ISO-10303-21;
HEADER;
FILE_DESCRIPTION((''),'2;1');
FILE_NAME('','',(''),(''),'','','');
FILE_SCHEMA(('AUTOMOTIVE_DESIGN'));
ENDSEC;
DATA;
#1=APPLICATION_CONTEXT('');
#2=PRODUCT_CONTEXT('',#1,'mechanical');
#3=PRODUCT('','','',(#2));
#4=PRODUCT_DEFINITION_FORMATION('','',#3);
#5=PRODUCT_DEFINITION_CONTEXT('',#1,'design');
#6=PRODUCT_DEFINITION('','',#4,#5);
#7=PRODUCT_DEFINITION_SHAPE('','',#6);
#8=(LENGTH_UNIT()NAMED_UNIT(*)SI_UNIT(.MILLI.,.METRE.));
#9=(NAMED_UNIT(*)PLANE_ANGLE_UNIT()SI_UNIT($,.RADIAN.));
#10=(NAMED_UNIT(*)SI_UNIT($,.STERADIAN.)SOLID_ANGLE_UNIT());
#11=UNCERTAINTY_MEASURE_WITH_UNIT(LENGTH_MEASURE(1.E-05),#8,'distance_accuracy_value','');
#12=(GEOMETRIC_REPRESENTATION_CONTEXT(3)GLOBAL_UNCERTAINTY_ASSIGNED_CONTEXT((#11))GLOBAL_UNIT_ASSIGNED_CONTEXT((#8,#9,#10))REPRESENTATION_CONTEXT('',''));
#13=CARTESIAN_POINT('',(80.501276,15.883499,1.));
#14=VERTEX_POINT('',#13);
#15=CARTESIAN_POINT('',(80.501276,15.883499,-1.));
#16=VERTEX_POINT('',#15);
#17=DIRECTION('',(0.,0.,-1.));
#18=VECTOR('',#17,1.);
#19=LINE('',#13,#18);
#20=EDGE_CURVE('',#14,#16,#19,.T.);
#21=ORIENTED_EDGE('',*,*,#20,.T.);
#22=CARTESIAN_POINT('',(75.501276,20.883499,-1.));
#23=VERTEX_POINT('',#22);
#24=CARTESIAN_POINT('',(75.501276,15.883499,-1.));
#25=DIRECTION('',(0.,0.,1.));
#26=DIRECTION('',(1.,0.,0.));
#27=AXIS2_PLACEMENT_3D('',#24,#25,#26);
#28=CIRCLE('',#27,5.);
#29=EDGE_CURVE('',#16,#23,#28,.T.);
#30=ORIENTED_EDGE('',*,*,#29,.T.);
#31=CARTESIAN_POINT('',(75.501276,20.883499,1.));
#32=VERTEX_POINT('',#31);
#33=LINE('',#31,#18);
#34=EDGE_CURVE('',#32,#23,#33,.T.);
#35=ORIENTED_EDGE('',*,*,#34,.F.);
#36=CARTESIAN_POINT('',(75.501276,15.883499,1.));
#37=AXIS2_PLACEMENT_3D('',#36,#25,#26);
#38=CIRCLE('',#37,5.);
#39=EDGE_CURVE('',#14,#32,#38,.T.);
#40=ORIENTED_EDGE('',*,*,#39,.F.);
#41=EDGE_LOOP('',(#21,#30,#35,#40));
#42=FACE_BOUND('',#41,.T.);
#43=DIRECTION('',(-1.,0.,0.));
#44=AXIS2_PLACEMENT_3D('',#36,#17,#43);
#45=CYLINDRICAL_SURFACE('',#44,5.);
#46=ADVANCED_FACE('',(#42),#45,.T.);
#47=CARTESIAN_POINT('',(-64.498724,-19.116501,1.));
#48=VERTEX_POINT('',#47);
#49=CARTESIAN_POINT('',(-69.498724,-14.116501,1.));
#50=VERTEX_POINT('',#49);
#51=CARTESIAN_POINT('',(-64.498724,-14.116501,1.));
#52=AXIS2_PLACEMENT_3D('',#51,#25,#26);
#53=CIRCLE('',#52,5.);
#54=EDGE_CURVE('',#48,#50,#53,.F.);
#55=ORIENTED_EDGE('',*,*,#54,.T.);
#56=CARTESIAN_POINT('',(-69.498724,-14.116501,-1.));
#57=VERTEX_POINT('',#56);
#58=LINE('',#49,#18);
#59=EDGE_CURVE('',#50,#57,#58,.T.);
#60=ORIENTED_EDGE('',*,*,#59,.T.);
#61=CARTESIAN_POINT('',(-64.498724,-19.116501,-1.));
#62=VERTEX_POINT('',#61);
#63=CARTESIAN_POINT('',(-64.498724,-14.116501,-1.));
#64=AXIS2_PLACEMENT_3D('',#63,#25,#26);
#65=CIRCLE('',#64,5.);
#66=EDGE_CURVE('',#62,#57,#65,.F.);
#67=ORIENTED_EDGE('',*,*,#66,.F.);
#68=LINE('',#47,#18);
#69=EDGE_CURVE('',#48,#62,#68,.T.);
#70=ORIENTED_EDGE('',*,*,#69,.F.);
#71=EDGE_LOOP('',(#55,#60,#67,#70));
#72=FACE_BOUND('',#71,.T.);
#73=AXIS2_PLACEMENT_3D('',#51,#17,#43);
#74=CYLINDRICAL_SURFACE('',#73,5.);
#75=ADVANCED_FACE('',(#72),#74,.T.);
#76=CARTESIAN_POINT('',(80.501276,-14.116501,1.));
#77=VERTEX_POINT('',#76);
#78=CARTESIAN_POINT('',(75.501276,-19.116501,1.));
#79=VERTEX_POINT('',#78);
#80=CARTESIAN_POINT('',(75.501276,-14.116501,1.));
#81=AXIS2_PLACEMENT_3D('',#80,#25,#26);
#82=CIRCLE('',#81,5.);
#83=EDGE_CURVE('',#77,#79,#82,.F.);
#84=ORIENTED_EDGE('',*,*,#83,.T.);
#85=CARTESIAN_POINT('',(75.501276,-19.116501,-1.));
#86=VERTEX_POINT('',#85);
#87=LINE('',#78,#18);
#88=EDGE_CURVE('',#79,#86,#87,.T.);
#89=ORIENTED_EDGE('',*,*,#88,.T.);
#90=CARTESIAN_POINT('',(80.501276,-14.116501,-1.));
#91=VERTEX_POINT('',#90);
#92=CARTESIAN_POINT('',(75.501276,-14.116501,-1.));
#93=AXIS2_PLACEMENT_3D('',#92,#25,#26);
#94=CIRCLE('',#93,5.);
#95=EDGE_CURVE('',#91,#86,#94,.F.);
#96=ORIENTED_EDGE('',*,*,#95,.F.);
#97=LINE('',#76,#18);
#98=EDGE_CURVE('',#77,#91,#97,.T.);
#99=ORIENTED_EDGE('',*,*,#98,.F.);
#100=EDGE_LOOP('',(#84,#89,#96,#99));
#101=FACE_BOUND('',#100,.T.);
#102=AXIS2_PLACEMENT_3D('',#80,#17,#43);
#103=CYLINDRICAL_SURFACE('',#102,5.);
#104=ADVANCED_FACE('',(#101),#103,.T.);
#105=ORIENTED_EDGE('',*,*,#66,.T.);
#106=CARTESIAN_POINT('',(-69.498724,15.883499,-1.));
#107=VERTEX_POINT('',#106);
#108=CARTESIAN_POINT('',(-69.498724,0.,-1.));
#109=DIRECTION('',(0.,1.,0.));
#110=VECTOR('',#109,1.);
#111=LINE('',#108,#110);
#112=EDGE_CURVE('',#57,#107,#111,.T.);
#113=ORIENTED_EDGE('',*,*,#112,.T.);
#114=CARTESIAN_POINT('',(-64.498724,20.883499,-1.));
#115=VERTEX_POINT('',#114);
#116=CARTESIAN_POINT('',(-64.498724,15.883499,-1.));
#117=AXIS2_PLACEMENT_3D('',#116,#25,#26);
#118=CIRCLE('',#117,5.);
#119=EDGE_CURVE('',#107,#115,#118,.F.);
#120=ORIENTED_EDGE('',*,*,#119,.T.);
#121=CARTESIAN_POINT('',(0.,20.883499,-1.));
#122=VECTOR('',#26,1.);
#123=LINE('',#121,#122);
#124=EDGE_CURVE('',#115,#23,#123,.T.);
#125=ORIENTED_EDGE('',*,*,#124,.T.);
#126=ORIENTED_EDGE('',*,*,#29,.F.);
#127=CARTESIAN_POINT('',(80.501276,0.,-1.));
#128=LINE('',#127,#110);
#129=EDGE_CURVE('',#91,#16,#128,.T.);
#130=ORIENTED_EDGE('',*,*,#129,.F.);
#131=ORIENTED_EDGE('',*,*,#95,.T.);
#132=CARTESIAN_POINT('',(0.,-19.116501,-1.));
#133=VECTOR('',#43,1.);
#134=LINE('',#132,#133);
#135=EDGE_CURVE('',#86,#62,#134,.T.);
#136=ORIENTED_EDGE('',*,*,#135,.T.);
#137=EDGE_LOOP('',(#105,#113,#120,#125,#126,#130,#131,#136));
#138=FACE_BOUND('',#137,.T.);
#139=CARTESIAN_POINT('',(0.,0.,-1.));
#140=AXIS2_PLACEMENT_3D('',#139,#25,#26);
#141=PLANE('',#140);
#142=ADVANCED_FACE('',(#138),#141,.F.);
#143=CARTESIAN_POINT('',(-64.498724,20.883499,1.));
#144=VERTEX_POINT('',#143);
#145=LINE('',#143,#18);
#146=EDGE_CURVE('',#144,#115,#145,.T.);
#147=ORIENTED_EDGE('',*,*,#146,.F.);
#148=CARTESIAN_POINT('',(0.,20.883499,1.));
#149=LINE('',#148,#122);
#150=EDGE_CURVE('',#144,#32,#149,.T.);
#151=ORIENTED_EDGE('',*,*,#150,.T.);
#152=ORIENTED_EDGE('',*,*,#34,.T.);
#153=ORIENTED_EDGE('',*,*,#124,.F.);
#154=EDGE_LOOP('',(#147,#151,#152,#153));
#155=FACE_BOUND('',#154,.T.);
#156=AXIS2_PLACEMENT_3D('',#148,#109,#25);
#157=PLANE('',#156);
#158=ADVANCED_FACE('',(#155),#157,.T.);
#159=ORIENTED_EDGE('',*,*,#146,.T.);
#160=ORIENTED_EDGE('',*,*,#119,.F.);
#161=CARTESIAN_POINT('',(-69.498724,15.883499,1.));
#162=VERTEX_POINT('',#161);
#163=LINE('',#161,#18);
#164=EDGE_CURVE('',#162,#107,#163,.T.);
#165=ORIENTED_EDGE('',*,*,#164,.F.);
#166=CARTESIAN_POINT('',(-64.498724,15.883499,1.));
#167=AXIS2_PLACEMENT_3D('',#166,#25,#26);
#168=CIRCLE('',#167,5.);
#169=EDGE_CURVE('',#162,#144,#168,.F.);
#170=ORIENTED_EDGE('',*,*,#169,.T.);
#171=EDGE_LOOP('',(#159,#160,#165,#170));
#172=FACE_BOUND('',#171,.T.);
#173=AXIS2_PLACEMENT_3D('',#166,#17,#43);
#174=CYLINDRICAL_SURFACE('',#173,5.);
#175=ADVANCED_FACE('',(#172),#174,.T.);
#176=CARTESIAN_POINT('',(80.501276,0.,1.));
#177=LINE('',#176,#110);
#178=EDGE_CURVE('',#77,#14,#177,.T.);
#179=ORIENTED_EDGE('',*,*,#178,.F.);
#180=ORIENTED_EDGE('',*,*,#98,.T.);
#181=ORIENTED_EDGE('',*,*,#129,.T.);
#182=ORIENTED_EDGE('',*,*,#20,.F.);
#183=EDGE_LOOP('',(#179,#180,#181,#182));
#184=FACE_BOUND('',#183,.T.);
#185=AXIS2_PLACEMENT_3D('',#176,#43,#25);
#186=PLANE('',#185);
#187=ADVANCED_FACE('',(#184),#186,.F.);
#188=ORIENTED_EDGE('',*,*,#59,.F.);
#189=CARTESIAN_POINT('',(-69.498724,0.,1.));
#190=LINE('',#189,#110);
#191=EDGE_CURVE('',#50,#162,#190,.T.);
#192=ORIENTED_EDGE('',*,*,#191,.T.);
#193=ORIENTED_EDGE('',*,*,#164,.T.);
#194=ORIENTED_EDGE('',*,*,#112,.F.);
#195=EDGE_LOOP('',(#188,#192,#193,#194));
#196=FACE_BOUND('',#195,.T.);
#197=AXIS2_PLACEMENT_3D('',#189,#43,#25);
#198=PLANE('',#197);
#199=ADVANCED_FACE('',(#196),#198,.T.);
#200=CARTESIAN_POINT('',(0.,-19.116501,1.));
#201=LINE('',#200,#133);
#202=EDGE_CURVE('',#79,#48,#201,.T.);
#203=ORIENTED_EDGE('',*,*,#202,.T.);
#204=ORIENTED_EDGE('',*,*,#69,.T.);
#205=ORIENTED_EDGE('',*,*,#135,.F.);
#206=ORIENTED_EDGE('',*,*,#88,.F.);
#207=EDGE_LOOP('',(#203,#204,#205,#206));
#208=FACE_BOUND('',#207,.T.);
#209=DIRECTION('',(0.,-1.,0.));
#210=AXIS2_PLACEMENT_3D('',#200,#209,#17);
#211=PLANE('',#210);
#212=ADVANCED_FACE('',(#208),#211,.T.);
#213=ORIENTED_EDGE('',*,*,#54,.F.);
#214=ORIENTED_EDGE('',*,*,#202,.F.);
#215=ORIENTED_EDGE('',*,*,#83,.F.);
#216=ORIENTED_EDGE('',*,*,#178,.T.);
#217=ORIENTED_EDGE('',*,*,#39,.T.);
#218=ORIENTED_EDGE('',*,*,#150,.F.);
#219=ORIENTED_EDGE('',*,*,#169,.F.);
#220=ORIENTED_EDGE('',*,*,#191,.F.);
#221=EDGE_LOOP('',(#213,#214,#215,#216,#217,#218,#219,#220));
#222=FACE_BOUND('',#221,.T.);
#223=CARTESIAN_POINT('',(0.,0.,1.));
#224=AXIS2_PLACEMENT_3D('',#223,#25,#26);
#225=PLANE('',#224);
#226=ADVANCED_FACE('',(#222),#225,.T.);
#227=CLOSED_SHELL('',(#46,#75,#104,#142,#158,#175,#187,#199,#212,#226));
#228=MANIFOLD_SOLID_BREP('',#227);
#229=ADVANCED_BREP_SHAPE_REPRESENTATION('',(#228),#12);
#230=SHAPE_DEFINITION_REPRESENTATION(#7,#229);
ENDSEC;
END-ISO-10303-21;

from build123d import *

# Parameters (mm, degrees)
BOSS_EXTRUDE1_DEPTH = 1


with BuildPart() as part:
    # Sketch1 → Boss-Extrude1 (new, symmetric)
    with BuildSketch(Plane.XY):
        with BuildLine():
            Line((-4.498723713, -19.116500582), (15.501276287, -19.116500582))
            Line((15.501276287, -19.116500582), (75.501276287, -19.116500582))
            ThreePointArc((75.501276287, -19.116500582), (79.036810193, -17.652034487), (80.501276287, -14.116500582))
            Line((80.501276287, -14.116500582), (80.501276287, 15.883499418))
            ThreePointArc((80.501276287, 15.883499418), (79.036810193, 19.419033324), (75.501276287, 20.883499418))
            Line((75.501276287, 20.883499418), (-64.498723713, 20.883499418))
            ThreePointArc((-64.498723713, 20.883499418), (-68.034257619, 19.419033324), (-69.498723713, 15.883499418))
            Line((-69.498723713, 15.883499418), (-69.498723713, -14.116500582))
            ThreePointArc((-69.498723713, -14.116500582), (-68.034257619, -17.652034487), (-64.498723713, -19.116500582))
            Line((-64.498723713, -19.116500582), (-4.498723713, -19.116500582))
        make_face()
    extrude(amount=BOSS_EXTRUDE1_DEPTH, both=True)


solid = part.part
